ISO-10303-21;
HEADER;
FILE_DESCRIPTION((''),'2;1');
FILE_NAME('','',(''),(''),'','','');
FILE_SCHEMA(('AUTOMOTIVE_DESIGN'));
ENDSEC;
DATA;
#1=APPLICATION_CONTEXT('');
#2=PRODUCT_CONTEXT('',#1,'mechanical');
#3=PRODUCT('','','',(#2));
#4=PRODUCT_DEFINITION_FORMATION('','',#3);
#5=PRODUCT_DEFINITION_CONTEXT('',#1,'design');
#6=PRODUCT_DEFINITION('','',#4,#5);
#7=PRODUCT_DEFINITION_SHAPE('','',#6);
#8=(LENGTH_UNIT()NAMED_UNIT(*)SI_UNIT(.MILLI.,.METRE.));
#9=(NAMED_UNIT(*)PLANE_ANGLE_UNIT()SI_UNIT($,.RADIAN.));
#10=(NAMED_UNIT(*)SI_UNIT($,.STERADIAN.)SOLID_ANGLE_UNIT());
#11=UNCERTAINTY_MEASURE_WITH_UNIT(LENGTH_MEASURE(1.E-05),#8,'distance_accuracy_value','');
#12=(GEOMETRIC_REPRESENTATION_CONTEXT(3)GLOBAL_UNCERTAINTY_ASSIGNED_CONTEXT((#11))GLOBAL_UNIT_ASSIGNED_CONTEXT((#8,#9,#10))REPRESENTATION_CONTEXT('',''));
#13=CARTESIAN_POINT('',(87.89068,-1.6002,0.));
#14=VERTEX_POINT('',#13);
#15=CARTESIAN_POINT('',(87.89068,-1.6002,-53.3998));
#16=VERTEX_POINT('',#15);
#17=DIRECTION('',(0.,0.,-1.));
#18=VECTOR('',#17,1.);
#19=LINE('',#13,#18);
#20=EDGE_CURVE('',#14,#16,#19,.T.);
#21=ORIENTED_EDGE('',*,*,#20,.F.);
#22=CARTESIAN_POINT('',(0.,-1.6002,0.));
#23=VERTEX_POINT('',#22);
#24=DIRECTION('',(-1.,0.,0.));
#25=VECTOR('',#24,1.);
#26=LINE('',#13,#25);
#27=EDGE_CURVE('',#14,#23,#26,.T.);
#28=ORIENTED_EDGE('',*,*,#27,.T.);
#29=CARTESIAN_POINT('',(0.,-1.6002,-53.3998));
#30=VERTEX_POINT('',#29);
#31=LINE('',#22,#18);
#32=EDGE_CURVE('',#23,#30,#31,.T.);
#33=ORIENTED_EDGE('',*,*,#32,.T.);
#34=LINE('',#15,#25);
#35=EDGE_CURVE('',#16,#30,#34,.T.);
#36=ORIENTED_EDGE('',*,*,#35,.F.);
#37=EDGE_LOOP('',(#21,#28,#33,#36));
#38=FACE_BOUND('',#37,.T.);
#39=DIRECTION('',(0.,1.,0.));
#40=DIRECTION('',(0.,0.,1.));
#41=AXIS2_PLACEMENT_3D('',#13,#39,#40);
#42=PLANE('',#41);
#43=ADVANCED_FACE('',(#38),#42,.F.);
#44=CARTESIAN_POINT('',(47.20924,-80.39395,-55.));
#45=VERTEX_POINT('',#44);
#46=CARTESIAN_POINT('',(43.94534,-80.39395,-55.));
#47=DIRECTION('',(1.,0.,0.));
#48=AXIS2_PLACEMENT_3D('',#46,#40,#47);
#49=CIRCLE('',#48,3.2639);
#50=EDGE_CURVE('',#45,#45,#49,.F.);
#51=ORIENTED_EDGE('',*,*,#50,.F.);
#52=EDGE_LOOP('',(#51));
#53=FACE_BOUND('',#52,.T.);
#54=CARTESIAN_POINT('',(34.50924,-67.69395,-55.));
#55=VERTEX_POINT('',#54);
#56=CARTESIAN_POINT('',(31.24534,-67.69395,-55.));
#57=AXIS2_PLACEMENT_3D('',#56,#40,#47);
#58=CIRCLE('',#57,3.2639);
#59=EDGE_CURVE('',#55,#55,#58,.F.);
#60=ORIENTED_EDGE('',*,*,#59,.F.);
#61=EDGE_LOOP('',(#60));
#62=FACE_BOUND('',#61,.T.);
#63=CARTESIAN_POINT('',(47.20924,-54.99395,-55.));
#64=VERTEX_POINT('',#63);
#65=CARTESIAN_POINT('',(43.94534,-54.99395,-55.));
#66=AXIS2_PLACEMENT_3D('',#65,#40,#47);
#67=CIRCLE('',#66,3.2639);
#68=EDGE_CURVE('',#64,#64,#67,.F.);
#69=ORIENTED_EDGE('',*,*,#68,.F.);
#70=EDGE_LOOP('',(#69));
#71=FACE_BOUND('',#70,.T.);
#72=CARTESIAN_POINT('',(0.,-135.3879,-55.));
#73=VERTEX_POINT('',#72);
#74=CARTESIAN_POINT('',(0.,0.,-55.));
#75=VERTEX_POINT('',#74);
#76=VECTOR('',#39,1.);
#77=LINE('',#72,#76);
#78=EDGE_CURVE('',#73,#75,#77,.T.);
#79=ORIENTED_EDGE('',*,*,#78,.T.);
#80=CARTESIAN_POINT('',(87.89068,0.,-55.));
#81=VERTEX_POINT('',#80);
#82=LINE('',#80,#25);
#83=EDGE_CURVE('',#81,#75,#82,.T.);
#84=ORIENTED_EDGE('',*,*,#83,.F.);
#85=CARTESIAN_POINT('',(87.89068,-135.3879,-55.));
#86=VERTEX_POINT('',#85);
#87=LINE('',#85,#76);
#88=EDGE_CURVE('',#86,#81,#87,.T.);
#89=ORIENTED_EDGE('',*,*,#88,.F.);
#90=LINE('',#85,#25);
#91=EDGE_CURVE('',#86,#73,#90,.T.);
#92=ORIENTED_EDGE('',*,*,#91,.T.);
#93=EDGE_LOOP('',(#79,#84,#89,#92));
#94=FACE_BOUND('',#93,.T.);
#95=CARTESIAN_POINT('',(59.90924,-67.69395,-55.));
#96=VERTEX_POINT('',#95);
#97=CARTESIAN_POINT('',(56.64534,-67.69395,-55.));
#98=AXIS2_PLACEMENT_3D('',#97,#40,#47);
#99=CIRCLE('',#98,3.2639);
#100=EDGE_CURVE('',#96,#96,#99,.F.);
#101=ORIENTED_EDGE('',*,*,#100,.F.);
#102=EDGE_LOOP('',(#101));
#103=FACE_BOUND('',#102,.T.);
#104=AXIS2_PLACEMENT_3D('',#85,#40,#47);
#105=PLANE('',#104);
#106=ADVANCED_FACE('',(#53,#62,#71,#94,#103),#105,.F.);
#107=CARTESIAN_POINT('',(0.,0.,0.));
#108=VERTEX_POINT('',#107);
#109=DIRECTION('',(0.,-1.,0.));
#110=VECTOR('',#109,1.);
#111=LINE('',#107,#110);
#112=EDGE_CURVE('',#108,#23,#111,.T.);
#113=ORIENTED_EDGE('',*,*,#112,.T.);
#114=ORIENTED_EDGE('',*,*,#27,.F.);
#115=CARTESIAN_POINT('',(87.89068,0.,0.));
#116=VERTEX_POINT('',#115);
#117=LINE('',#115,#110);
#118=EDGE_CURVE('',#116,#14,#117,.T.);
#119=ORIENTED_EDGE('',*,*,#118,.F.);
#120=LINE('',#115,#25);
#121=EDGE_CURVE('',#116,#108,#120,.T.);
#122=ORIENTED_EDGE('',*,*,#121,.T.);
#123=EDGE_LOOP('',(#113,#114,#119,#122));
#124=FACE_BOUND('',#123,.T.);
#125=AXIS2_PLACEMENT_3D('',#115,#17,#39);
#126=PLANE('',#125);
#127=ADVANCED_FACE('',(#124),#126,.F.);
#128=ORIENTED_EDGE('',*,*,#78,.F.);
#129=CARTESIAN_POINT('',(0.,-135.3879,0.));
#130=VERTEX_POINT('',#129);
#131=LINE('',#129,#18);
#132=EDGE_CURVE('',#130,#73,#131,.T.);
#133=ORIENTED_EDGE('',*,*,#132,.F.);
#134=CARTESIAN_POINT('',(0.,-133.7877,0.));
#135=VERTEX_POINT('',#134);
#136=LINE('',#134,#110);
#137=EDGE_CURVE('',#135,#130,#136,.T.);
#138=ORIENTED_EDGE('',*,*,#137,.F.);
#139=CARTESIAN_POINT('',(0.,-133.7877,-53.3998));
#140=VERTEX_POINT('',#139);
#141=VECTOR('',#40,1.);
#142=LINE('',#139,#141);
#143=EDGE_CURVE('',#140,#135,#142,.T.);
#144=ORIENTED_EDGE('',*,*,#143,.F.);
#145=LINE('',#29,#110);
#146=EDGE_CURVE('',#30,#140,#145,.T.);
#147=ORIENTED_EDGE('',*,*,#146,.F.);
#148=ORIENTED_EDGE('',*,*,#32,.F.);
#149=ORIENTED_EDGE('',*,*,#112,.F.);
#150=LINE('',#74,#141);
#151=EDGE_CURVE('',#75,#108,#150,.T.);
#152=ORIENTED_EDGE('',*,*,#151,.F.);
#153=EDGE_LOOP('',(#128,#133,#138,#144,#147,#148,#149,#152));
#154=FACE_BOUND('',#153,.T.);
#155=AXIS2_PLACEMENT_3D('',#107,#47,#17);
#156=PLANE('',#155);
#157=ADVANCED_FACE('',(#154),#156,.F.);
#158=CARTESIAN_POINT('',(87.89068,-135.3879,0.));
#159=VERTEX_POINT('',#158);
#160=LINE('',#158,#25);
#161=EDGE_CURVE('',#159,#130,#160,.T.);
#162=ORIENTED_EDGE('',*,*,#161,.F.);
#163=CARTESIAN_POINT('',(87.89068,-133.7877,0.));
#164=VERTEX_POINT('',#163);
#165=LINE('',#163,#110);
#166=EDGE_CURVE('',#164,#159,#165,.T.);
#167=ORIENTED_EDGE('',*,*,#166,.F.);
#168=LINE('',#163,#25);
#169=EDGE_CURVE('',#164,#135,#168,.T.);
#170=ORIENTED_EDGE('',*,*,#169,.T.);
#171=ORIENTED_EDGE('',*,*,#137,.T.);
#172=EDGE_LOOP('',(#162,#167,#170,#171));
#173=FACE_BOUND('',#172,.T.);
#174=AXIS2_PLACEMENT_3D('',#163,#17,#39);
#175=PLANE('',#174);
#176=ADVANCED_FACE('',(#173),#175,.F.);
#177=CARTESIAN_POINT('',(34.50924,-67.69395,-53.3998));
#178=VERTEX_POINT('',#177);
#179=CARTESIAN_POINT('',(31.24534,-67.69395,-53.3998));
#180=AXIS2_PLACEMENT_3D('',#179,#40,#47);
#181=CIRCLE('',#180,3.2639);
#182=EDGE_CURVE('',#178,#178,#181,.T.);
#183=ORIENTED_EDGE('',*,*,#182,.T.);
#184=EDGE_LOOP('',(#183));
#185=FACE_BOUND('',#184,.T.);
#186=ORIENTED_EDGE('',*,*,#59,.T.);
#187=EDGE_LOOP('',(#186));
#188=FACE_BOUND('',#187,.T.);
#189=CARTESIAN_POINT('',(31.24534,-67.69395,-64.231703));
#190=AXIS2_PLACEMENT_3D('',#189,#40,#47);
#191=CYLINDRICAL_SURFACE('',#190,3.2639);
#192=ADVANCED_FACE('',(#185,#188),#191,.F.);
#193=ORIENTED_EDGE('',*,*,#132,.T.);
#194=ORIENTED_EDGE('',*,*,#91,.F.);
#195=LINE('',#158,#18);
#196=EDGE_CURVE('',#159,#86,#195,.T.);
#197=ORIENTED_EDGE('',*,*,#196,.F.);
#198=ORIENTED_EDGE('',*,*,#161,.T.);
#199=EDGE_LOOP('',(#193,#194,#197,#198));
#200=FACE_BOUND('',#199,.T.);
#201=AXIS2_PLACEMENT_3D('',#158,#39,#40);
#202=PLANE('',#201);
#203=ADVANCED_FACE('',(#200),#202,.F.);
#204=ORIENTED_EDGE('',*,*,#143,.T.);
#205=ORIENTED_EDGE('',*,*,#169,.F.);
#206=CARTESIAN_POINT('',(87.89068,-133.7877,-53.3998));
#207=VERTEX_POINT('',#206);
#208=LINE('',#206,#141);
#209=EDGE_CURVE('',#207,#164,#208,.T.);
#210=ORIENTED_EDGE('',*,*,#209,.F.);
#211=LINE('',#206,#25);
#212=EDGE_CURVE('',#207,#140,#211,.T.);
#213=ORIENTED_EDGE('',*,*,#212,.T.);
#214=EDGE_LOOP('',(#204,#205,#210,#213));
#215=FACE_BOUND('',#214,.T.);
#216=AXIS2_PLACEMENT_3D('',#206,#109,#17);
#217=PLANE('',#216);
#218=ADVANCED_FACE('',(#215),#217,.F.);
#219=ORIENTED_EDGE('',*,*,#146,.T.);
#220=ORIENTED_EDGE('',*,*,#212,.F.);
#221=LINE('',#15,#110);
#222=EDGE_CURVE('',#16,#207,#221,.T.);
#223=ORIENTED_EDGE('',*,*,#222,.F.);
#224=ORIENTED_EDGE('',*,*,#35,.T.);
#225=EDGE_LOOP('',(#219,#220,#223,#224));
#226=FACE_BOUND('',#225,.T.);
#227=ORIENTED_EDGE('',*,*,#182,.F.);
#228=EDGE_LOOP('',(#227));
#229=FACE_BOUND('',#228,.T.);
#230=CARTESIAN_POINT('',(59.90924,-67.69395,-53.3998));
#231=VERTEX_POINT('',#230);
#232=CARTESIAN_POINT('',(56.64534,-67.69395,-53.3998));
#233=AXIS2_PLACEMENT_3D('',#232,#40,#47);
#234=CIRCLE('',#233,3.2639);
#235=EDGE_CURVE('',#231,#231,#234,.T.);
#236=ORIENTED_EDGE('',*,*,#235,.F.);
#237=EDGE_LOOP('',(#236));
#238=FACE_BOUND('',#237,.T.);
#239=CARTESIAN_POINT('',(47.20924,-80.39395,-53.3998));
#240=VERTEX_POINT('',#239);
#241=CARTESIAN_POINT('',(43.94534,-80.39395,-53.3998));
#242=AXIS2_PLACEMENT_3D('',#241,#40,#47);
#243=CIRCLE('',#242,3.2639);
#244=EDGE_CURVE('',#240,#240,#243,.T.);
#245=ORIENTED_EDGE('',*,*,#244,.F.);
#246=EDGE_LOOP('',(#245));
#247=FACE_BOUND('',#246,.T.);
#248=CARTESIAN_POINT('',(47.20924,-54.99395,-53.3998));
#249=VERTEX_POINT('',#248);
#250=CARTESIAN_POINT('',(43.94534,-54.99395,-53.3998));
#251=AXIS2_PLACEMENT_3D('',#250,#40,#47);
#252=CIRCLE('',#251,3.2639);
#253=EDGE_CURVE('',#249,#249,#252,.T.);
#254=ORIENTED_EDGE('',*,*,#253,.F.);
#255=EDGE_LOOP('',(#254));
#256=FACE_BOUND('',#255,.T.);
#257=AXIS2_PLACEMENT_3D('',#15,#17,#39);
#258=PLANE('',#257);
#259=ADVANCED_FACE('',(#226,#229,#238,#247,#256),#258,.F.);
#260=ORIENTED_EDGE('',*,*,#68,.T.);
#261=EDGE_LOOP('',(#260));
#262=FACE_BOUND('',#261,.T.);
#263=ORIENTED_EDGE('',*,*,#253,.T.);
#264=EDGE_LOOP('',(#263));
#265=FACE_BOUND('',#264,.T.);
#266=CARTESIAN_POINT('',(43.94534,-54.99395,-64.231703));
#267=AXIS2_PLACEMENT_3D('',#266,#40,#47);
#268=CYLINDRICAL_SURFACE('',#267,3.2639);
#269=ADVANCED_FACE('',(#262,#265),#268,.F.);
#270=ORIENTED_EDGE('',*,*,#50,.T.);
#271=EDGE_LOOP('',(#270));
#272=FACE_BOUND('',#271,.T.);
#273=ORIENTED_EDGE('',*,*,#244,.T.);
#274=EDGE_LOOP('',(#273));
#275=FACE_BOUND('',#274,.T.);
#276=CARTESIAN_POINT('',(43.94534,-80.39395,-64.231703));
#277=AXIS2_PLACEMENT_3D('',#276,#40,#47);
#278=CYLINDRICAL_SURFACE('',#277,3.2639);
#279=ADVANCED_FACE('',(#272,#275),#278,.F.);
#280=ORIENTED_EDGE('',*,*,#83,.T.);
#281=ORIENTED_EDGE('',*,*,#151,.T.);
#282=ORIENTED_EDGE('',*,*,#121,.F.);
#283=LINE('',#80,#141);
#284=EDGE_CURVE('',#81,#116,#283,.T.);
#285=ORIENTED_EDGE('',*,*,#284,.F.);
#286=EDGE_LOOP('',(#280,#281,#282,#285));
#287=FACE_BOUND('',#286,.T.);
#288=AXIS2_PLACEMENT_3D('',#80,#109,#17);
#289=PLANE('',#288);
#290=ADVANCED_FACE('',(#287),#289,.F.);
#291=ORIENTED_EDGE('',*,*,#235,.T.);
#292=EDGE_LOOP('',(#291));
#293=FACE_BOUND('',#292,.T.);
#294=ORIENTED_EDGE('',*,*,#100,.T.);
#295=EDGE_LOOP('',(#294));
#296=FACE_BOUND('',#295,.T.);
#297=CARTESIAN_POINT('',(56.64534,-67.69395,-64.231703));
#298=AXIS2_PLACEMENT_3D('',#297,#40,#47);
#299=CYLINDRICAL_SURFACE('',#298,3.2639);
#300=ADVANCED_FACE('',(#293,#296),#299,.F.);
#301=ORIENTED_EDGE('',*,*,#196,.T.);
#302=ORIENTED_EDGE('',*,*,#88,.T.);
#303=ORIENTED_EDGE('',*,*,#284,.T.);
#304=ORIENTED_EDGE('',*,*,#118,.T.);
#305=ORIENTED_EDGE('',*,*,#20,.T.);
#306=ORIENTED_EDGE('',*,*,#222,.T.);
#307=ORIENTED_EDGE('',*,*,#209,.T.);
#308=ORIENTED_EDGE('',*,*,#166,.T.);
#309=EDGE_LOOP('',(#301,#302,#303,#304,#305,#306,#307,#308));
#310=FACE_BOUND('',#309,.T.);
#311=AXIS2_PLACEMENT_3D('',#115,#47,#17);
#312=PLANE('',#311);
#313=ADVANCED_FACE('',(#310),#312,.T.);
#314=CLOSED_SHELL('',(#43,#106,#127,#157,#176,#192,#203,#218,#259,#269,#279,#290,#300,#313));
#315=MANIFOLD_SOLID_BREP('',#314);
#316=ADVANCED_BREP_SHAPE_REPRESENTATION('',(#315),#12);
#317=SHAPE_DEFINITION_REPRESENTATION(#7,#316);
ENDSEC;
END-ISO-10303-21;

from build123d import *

# Parameters (mm, degrees)
BOSS_EXTRUDE1_DEPTH = 87.89068
SKETCH2_R           = 3.2639
CUT_EXTRUDE1_DEPTH  = 1.6002


with BuildPart() as part:
    # Sketch1 → Boss-Extrude1 (new body)
    with BuildSketch(Plane(origin=(0, 0, 0), x_dir=(0, 0, -1), z_dir=(1, 0, 0))):
        Polygon((0, 0), (0, -1.6002), (53.3998, -1.6002), (53.3998, -133.7877), (0, -133.7877), (0, -135.3879), (55, -135.3879), (55, 0), align=None)
    extrude(amount=BOSS_EXTRUDE1_DEPTH)

    # Sketch2 → Cut-Extrude1 (cut)
    with BuildSketch(Plane.XY.offset(-53.3998)):
        with Locations((43.94534, -54.99395)):
            Circle(SKETCH2_R)
        with Locations((43.94534, -80.39395)):
            Circle(SKETCH2_R)
        with Locations((31.24534, -67.69395)):
            Circle(SKETCH2_R)
        with Locations((56.64534, -67.69395)):
            Circle(SKETCH2_R)
    extrude(amount=-CUT_EXTRUDE1_DEPTH, mode=Mode.SUBTRACT)


solid = part.part
